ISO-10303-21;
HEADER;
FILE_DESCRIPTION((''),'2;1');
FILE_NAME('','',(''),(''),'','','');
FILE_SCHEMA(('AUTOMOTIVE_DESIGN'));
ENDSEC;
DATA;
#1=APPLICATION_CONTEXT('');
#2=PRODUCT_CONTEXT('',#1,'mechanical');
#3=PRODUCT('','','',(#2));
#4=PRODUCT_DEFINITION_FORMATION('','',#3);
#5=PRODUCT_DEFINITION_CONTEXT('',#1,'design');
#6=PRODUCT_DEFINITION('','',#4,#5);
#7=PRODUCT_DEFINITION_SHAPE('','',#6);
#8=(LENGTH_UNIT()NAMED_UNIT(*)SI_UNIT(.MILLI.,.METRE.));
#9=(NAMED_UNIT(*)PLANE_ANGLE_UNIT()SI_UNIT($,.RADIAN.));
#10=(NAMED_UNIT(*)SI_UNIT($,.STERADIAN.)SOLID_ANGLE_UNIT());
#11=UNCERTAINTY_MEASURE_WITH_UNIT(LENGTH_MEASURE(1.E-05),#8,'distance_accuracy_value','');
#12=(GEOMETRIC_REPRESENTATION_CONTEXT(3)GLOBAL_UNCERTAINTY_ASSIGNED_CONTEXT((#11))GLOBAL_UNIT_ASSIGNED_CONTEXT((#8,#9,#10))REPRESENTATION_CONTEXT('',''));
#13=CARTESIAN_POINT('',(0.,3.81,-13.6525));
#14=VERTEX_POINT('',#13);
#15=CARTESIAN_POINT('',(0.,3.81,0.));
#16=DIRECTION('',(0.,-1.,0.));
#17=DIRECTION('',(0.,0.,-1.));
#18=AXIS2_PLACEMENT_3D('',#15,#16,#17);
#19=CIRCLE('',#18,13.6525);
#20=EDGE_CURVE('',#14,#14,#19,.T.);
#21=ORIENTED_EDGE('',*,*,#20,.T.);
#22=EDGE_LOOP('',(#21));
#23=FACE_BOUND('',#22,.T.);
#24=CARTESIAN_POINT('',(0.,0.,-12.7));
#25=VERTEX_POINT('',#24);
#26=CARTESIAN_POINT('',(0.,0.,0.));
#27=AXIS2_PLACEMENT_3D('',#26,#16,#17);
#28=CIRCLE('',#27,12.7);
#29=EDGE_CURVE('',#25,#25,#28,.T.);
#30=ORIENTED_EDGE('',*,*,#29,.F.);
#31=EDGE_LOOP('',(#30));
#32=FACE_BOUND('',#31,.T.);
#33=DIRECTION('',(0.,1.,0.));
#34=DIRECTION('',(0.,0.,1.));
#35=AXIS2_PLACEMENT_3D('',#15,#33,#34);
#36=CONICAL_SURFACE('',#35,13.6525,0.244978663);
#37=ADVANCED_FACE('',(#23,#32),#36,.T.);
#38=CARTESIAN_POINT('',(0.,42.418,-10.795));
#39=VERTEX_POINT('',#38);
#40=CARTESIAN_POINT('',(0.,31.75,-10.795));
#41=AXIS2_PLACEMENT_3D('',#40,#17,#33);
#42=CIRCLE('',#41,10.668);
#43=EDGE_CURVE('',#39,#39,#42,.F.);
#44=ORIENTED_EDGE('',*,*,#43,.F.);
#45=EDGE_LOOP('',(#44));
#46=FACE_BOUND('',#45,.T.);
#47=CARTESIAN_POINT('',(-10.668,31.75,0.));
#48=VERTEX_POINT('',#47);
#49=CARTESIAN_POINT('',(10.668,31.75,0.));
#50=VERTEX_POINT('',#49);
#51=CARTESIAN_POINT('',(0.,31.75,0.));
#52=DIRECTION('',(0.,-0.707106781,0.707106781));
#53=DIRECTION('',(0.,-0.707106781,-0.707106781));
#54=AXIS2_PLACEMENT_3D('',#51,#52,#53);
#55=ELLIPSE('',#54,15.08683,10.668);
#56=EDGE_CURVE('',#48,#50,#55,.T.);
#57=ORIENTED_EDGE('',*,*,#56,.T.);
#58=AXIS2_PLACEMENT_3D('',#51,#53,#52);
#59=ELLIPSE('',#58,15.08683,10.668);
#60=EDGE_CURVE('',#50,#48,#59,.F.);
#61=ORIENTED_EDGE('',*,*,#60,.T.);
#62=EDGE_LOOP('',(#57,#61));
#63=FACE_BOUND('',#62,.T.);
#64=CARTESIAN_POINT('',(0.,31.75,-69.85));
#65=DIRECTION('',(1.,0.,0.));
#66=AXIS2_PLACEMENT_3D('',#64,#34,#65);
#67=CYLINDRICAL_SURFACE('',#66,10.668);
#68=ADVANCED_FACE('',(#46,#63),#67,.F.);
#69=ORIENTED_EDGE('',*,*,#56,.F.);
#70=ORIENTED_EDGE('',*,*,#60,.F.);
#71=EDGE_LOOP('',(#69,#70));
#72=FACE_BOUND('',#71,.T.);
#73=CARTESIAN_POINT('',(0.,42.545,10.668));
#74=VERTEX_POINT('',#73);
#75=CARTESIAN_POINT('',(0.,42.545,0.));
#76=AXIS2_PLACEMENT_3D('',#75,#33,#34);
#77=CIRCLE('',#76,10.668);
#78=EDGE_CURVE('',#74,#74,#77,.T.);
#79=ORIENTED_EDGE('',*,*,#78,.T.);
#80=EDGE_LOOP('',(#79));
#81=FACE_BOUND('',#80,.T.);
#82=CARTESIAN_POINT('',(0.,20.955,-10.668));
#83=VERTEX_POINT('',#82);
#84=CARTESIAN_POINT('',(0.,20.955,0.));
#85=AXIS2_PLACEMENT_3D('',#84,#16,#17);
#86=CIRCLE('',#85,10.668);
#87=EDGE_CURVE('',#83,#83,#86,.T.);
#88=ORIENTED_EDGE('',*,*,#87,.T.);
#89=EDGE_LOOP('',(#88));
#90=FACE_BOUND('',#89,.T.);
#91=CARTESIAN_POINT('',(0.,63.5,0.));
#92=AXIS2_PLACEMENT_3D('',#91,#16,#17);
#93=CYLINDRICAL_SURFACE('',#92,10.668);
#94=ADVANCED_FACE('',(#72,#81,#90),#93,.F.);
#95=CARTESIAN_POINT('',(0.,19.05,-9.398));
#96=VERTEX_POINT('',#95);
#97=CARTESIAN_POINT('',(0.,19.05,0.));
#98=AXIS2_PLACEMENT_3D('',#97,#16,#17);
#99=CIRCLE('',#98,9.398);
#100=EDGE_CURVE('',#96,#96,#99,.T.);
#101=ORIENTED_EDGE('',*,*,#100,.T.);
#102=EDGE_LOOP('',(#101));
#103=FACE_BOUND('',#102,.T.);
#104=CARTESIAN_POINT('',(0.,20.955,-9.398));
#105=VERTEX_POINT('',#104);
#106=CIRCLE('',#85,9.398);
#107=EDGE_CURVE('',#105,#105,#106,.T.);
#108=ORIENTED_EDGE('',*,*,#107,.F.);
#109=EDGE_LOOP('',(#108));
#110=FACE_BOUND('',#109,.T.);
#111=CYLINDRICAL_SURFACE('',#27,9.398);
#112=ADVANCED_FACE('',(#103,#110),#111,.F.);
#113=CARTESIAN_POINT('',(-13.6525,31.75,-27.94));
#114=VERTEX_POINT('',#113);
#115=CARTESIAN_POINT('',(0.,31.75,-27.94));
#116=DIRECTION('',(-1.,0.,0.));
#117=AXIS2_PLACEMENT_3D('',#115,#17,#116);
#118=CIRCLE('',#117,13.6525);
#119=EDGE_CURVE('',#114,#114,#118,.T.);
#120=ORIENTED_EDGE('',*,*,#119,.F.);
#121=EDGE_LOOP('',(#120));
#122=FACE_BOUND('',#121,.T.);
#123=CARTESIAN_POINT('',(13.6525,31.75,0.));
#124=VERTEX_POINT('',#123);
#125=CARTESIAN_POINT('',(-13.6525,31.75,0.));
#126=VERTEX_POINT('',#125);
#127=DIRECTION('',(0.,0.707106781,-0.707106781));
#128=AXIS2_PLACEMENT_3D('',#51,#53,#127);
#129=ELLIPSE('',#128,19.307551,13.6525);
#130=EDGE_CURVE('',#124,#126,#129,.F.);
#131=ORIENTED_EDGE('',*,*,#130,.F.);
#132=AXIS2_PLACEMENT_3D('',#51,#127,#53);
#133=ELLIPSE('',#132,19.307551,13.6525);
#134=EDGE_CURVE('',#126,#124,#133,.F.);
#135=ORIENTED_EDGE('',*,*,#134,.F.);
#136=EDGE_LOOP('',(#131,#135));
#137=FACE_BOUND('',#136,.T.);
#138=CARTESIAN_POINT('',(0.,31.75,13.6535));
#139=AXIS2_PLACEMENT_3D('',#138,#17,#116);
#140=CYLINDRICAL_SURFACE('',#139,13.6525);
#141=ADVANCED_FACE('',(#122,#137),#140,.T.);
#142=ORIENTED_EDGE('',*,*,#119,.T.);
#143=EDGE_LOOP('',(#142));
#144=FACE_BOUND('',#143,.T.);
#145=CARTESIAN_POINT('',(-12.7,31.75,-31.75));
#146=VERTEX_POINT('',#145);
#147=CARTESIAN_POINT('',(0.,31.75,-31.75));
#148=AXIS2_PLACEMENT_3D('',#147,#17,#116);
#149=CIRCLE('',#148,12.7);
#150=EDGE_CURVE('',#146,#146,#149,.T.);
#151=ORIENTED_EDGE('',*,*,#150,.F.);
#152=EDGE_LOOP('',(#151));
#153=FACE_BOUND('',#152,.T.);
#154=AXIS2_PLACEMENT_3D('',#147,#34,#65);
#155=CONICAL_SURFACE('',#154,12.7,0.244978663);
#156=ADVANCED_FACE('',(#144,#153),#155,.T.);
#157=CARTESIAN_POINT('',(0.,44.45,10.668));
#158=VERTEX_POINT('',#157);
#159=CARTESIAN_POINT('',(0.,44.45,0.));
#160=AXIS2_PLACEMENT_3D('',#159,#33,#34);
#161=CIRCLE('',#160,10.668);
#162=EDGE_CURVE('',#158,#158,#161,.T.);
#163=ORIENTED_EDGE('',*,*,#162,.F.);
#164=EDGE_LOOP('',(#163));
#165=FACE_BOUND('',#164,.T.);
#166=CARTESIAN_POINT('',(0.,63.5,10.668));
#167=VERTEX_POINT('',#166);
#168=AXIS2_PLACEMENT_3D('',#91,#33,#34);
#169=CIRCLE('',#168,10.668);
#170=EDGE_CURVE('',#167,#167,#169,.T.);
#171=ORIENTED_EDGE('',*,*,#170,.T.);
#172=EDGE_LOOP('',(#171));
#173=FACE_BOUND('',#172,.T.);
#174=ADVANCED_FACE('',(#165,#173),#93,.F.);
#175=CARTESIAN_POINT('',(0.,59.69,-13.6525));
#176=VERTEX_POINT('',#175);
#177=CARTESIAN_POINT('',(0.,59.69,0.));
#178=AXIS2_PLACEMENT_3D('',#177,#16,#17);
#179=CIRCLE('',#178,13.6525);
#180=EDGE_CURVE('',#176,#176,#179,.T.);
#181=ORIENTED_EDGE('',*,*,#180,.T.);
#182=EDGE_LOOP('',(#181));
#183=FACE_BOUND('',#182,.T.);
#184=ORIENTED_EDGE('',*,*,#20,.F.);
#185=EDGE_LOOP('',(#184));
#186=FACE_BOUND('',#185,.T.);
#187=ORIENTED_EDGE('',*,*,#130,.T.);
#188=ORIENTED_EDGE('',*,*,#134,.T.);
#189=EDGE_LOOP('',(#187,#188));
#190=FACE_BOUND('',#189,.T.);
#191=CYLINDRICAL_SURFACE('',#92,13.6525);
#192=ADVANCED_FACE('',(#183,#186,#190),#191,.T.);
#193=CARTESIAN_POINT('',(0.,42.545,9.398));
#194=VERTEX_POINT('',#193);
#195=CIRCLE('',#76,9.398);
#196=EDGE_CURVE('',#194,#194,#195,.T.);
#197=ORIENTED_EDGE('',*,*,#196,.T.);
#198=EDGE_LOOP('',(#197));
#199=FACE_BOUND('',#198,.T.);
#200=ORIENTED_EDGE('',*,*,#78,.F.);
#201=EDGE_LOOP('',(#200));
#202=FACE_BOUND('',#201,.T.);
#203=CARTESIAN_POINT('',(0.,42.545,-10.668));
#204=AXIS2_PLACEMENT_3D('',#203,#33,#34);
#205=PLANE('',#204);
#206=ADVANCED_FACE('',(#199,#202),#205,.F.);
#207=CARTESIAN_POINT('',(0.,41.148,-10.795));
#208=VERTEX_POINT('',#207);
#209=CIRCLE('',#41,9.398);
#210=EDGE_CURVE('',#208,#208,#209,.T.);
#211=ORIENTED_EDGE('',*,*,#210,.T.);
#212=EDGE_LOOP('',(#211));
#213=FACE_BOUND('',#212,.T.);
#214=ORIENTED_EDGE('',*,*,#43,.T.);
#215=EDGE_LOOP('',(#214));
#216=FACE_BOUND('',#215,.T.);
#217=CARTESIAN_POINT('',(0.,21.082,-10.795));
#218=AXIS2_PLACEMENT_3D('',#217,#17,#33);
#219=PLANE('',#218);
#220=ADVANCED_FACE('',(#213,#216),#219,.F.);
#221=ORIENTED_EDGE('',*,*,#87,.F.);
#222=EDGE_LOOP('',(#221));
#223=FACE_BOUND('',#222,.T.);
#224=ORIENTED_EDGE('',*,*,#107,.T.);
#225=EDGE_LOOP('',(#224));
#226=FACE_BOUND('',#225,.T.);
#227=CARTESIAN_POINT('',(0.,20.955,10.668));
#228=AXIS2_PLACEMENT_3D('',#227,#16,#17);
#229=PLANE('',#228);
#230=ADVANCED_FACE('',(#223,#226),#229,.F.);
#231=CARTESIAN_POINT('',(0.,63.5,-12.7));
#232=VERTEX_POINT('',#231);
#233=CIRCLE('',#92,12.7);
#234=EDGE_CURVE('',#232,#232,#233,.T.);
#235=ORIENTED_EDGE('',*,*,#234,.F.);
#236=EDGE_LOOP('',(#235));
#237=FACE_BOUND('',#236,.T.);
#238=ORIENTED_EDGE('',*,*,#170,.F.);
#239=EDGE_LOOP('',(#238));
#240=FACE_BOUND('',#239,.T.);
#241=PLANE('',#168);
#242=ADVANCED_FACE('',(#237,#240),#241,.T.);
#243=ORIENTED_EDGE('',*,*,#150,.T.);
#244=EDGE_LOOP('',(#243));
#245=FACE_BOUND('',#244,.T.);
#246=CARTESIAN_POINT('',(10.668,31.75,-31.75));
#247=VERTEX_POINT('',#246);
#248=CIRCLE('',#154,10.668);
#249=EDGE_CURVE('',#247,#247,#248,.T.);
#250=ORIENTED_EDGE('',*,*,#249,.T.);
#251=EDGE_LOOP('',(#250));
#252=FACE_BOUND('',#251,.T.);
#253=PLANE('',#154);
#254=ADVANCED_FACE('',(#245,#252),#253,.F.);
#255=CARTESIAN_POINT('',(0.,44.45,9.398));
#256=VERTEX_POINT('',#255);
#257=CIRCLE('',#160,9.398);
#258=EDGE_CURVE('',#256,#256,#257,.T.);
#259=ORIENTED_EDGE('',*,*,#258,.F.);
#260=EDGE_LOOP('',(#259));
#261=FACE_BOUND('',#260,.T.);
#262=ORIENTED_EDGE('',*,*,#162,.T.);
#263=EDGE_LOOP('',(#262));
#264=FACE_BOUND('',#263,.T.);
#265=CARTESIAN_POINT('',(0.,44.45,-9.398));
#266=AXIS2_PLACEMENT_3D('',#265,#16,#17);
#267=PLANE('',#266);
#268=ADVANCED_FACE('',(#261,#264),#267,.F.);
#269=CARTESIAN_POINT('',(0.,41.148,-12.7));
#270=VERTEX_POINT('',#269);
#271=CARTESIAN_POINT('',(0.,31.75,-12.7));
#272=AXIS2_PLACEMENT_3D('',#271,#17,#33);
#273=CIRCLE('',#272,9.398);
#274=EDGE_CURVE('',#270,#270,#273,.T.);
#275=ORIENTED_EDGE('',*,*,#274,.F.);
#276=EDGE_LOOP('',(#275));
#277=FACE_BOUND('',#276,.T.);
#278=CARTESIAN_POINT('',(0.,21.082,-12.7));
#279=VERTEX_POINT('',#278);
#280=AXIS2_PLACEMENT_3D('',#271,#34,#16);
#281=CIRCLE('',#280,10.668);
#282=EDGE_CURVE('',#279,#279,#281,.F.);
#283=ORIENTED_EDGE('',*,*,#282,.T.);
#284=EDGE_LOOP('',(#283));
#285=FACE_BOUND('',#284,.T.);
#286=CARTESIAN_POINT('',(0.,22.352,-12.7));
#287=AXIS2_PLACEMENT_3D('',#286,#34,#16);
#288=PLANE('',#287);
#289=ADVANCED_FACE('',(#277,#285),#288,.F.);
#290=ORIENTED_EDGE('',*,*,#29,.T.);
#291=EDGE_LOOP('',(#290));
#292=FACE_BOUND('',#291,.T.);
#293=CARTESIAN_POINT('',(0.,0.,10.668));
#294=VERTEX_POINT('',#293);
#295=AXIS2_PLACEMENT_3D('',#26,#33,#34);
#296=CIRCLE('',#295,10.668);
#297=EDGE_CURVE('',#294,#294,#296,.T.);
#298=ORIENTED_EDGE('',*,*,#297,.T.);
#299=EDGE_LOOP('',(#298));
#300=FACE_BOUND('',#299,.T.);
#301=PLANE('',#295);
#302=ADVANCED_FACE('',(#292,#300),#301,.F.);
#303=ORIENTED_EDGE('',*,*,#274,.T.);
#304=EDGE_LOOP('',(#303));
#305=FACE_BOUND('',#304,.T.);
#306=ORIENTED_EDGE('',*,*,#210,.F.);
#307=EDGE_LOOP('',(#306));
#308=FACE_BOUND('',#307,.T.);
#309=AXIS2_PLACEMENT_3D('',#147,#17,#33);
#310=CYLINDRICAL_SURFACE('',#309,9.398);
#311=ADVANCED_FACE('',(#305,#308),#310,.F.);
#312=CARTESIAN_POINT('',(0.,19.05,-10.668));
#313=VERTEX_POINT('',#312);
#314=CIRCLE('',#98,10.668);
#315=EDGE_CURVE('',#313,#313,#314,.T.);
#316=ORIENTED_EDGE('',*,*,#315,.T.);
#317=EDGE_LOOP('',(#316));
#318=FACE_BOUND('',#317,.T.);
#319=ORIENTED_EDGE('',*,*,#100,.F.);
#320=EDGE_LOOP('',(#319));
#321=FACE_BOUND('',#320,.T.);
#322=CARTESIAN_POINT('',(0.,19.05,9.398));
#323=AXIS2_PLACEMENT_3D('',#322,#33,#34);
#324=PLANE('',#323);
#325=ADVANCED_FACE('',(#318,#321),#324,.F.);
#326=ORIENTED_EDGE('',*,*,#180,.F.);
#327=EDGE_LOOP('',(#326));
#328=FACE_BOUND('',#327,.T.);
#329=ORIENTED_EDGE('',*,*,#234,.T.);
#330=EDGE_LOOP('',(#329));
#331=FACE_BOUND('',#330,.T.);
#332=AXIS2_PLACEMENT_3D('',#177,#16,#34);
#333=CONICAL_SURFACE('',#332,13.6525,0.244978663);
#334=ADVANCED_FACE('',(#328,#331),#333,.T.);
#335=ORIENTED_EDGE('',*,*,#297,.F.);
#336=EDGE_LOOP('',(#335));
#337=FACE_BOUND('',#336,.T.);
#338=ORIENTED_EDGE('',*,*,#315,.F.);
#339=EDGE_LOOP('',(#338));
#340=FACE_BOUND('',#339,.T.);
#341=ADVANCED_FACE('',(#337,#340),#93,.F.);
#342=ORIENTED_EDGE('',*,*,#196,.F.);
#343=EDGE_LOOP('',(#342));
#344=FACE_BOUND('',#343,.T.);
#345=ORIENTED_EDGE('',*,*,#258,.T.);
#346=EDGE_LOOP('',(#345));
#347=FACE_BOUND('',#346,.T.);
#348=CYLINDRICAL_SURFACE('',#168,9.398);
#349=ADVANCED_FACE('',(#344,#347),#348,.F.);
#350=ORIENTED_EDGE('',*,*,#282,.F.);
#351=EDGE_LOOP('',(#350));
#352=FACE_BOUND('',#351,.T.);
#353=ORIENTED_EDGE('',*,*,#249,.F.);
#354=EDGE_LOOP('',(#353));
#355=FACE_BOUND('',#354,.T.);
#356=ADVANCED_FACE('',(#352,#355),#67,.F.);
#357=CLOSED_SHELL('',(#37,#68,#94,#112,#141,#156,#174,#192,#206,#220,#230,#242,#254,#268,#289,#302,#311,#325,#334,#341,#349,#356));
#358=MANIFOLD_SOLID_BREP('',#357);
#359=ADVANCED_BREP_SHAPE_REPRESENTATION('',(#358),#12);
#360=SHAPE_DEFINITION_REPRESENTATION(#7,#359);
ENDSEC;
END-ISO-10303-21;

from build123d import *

# Parameters (mm, degrees)
SKETCH1_R                = 13.6525
SKETCH1_R_2              = 10.668
BOSS_EXTRUDE1_DEPTH      = 63.5
SKETCH3_R                = 10.668
CUT_EXTRUDE2_DEPTH       = 69.85
BOSS_EXTRUDE2_REACH      = 81.247
BOSS_EXTRUDE2_END_RADIUS = 13.6525
SKETCH4_R                = 13.6525
SKETCH4_R_2              = 10.668
SKETCH5_W                = 1.905
SKETCH5_H                = 1.27
SKETCH6_W                = 1.27
SKETCH6_H                = 1.905
SKETCH7_W                = 1.27
SKETCH7_H                = 1.905


with BuildPart() as part:
    # Sketch1 → Boss-Extrude1 (new body)
    with BuildSketch(Plane(origin=(0, 0, 0), x_dir=(1, 0, 0), z_dir=(0, 1, 0))):
        with Locations(Location((0, 0, 0), (0, 0, 270))):
            Circle(SKETCH1_R)
        with Locations(Location((0, 0, 0), (0, 0, 270))):
            Circle(SKETCH1_R_2, mode=Mode.SUBTRACT)
    extrude(amount=BOSS_EXTRUDE1_DEPTH)

    # Sketch3 → Cut-Extrude2 (cut)
    with BuildSketch(Plane.XY):
        with Locations((0, 31.75)):
            Circle(SKETCH3_R)
    extrude(amount=-CUT_EXTRUDE2_DEPTH, mode=Mode.SUBTRACT)

    # Boss-Extrude2: up to this cylinder (the profile starts outside it)
    boss_extrude2_end = Plane(origin=(0, 31.75, 0), z_dir=(0, -1, 0)) * Cylinder(BOSS_EXTRUDE2_END_RADIUS, 190.799, mode=Mode.PRIVATE)
    # Sketch4 → Boss-Extrude2 (add, up to the surface)
    with BuildSketch(Plane.XY.offset(-31.75), mode=Mode.PRIVATE) as boss_extrude2_sk1:
        with Locations((0, 31.75)):
            Circle(SKETCH4_R)
        with Locations((0, 31.75)):
            Circle(SKETCH4_R_2, mode=Mode.SUBTRACT)
    boss_extrude2_tool1 = extrude(boss_extrude2_sk1.sketch, amount=BOSS_EXTRUDE2_REACH, mode=Mode.PRIVATE) - boss_extrude2_end
    add(boss_extrude2_tool1.solids().sort_by_distance((-13.266349, 31.75, -31.75))[0])

    # Sketch5 → Revolve1 (revolve)
    with BuildSketch(Plane(origin=(0, 0, 0), x_dir=(0, 0, -1), z_dir=(1, 0, 0)), mode=Mode.PRIVATE) as revolve1_sk:
        with Locations((11.7475, 21.717)):
            Rectangle(SKETCH5_W, SKETCH5_H)
    revolve(revolve1_sk.sketch.rotate(Axis((0, 31.75, -31.75), (0, 0, 1)), 90), axis=Axis((0, 31.75, -31.75), (0, 0, 1)))

    # Sketch6 → Revolve2 (revolve)
    with BuildSketch(Plane(origin=(0, 0, 0), x_dir=(0, 0, -1), z_dir=(1, 0, 0)), mode=Mode.PRIVATE) as revolve2_sk:
        with Locations((10.033, 43.4975)):
            Rectangle(SKETCH6_W, SKETCH6_H)
    revolve(revolve2_sk.sketch.rotate(Axis((0, 63.5, 0), (0, -1, 0)), 180), axis=Axis((0, 63.5, 0), (0, -1, 0)))

    # Sketch7 → Revolve3 (revolve)
    with BuildSketch(Plane(origin=(0, 0, 0), x_dir=(0, 0, -1), z_dir=(1, 0, 0)), mode=Mode.PRIVATE) as revolve3_sk:
        with Locations((-10.033, 20.0025)):
            Rectangle(SKETCH7_W, SKETCH7_H)
    revolve(revolve3_sk.sketch.rotate(Axis((0, 0, 0), (0, 1, 0)), 180), axis=Axis((0, 0, 0), (0, 1, 0)))

    # Sketch8 → Cut-Revolve1 (revolve, cut)
    with BuildSketch(Plane.XY, mode=Mode.PRIVATE) as cut_revolve1_sk:
        Polygon((13.6525, 0), (13.6525, 3.81), (12.7, 0), align=None)
    cut_revolve1 = revolve(cut_revolve1_sk.sketch.rotate(Axis((0, 0, 0), (0, 1, 0)), 90), axis=Axis((0, 0, 0), (0, 1, 0)), mode=Mode.SUBTRACT)

    # Mirror1: Cut-Revolve1 across plane
    add(cut_revolve1.mirror(Plane.ZX.offset(31.75)), mode=Mode.SUBTRACT)

    # Sketch9 → Cut-Revolve2 (revolve, cut)
    with BuildSketch(Plane(origin=(0, 0, 0), x_dir=(0, 0, -1), z_dir=(1, 0, 0)), mode=Mode.PRIVATE) as cut_revolve2_sk:
        Polygon((31.75, 18.0975), (27.94, 18.0975), (31.75, 19.05), align=None)
    revolve(cut_revolve2_sk.sketch.rotate(Axis((0, 31.75, -31.75), (0, 0, 1)), 270), axis=Axis((0, 31.75, -31.75), (0, 0, 1)), mode=Mode.SUBTRACT)


solid = part.part
